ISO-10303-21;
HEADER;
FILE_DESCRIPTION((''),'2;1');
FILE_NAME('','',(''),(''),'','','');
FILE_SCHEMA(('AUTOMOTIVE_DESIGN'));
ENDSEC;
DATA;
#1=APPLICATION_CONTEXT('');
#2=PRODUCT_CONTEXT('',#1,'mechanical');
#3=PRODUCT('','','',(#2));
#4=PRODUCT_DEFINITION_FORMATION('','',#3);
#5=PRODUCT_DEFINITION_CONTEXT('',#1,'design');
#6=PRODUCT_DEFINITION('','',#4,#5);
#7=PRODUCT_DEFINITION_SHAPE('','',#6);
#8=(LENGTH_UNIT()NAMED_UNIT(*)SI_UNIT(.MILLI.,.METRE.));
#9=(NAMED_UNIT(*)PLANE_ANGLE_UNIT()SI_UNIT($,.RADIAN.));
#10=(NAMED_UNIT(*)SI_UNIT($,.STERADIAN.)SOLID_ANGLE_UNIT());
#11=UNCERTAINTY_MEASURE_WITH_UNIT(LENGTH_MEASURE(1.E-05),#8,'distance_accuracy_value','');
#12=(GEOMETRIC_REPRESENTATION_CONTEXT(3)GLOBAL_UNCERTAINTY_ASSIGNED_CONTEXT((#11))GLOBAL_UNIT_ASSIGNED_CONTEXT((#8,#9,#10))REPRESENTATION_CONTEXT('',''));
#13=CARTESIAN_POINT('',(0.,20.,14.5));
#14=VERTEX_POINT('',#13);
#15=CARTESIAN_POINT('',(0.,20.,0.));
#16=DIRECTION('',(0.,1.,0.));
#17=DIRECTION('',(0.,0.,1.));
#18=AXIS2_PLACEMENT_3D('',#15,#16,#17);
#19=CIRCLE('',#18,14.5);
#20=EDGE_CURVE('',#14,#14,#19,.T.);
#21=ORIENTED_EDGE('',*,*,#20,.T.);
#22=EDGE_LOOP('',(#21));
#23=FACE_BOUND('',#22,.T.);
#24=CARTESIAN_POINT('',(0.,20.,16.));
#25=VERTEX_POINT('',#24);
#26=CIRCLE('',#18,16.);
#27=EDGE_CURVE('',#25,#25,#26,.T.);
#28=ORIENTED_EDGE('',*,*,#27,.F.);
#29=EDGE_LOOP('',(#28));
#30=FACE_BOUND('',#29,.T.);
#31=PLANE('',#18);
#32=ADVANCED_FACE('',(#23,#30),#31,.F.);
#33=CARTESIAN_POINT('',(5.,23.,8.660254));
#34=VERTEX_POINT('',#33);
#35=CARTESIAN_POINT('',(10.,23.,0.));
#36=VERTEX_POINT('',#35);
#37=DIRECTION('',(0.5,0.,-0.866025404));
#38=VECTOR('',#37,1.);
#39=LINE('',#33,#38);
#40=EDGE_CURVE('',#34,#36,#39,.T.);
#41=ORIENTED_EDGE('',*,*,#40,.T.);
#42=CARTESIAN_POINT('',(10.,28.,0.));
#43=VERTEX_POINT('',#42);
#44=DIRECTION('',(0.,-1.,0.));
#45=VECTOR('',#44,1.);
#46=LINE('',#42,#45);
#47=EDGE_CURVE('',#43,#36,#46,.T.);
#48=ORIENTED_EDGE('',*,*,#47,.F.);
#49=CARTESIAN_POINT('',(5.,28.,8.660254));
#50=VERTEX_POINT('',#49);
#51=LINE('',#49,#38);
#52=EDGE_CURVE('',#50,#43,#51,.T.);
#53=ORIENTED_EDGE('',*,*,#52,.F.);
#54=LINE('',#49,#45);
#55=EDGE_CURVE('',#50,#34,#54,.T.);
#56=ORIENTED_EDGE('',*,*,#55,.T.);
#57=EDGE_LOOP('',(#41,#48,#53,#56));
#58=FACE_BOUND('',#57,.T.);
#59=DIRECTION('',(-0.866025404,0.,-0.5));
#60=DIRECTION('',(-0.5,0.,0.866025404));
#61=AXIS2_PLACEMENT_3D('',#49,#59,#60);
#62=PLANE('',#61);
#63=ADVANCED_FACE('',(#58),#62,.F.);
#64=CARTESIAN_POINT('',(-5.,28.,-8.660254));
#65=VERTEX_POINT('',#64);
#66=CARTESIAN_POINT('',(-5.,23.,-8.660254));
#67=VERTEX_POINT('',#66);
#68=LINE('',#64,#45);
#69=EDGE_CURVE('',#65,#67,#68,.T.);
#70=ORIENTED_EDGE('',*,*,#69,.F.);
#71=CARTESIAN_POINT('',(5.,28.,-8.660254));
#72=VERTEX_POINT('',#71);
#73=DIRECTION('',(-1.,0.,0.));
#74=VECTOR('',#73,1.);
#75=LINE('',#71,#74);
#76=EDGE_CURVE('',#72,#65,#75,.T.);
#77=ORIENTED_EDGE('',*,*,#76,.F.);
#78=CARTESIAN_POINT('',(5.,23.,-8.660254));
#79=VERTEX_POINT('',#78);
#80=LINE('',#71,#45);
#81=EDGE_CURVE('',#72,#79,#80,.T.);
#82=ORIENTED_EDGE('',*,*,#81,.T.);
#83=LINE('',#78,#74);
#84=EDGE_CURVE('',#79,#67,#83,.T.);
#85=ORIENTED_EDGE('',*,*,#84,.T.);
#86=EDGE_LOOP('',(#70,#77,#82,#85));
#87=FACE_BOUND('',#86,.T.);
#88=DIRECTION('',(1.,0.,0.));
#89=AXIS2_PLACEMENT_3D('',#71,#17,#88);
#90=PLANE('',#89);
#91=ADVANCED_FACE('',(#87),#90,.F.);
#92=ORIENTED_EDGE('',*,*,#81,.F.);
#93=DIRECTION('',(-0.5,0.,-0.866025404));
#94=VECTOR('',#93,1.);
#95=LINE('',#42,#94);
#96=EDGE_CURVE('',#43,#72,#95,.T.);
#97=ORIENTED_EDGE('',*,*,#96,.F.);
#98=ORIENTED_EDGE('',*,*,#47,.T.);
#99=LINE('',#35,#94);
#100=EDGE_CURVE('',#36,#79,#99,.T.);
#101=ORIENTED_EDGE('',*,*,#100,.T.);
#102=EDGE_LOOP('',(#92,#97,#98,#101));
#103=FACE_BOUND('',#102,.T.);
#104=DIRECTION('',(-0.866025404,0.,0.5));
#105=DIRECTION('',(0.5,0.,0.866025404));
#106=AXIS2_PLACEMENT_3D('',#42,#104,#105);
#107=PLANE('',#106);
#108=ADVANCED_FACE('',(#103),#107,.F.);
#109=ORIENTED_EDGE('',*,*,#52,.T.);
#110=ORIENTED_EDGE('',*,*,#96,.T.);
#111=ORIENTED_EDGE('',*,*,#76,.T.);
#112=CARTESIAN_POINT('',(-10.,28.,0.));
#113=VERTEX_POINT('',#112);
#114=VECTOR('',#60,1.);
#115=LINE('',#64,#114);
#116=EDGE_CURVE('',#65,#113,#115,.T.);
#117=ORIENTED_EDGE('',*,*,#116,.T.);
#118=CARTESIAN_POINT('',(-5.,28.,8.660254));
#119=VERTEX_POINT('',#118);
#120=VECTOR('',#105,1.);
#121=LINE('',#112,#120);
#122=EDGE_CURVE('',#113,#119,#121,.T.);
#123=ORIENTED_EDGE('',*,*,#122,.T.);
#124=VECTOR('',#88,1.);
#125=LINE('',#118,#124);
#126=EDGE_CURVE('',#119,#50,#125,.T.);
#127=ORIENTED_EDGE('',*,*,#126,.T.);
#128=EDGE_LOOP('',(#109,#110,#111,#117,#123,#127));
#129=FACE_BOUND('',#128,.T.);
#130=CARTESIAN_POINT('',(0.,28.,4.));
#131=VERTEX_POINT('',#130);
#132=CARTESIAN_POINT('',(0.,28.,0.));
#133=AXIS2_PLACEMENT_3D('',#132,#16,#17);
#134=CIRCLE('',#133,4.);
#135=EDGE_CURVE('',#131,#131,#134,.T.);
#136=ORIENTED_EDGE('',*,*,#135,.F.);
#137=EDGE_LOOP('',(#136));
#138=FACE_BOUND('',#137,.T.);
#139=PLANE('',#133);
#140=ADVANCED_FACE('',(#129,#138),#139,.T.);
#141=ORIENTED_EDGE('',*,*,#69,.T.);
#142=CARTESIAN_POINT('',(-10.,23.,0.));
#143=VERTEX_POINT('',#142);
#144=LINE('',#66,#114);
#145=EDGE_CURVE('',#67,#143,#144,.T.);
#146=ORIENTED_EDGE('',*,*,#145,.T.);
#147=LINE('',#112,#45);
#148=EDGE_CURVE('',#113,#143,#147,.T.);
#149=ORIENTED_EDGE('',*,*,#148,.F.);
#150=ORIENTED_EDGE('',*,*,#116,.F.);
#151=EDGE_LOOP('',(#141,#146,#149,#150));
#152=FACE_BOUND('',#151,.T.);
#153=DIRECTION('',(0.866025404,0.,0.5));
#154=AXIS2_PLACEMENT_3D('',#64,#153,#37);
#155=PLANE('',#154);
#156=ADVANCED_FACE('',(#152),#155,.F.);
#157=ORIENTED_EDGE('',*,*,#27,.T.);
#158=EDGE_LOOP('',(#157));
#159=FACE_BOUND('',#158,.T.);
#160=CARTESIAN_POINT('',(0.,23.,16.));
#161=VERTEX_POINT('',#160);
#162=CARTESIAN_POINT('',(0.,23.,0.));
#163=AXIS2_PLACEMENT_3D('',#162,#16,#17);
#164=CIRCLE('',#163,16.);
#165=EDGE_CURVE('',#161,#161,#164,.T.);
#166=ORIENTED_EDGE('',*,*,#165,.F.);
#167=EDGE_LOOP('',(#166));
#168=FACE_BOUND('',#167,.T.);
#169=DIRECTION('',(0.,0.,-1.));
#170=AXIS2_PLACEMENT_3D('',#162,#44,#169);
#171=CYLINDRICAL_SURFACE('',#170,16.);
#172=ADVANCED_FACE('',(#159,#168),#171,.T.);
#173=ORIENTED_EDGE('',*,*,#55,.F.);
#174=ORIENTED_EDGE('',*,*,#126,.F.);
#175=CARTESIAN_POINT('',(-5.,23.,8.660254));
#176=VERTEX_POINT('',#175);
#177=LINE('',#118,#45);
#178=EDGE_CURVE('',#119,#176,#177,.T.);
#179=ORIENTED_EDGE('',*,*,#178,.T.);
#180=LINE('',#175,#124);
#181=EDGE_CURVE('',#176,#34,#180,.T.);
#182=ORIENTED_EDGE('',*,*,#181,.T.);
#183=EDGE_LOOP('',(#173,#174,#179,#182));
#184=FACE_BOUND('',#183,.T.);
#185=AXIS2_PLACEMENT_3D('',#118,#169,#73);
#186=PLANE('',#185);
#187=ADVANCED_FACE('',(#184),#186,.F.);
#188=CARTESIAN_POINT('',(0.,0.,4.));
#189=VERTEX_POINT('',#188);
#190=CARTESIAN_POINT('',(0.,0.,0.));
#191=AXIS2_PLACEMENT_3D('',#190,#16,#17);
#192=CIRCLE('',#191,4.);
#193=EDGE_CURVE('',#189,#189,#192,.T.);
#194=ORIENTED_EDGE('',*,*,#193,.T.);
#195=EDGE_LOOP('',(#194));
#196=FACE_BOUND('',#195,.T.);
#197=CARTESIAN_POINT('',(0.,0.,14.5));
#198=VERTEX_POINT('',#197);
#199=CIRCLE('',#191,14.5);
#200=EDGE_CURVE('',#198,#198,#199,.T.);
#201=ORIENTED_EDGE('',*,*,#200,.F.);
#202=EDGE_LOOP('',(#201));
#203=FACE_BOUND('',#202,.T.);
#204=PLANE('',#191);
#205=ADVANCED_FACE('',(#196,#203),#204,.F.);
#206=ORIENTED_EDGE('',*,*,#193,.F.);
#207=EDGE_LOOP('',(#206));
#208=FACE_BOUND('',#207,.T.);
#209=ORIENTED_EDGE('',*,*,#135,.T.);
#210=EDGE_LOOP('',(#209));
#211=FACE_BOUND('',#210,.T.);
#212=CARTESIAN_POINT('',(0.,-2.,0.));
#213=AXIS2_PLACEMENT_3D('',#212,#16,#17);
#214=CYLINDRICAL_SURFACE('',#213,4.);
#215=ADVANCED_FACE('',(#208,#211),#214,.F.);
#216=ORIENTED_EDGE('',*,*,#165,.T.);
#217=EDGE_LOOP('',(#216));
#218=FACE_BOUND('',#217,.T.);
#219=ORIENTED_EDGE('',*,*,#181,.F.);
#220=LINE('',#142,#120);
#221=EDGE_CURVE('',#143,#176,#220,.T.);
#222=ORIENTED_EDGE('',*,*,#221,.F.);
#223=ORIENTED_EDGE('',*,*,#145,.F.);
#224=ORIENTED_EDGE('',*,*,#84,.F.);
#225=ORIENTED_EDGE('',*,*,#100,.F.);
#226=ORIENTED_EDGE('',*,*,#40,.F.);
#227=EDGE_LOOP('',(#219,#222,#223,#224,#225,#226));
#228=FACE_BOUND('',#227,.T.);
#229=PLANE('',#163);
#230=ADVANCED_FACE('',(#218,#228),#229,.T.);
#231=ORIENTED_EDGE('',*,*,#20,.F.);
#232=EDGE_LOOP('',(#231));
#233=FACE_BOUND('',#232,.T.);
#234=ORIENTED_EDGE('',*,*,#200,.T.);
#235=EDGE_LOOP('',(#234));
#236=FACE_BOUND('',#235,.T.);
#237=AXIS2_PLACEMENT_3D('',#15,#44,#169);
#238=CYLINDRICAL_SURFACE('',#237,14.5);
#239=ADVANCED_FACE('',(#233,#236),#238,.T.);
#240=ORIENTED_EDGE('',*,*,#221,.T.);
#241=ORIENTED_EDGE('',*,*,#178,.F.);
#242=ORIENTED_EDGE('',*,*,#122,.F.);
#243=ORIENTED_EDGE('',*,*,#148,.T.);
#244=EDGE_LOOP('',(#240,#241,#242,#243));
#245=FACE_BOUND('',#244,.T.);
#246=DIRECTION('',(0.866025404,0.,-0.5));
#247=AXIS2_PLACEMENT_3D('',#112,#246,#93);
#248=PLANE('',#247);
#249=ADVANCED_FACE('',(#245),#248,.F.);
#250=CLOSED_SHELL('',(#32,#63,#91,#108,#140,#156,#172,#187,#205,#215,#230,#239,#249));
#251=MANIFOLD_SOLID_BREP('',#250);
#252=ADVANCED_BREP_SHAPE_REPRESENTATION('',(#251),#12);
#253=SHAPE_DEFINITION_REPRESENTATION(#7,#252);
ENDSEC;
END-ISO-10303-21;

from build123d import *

# Parameters (mm, degrees)
SKETCH1_R           = 14.5
BOSS_EXTRUDE1_DEPTH = 20
SKETCH2_R           = 16
BOSS_EXTRUDE2_DEPTH = 3
BOSS_EXTRUDE3_DEPTH = 5
SKETCH4_R           = 4
CUT_EXTRUDE1_DEPTH  = 30


with BuildPart() as part:
    # Sketch1 → Boss-Extrude1 (new body)
    with BuildSketch(Plane(origin=(0, 0, 0), x_dir=(1, 0, 0), z_dir=(0, 1, 0))):
        with Locations(Location((0, 0, 0), (0, 0, 270))):
            Circle(SKETCH1_R)
    extrude(amount=BOSS_EXTRUDE1_DEPTH)

    # Sketch2 → Boss-Extrude2 (add)
    with BuildSketch(Plane(origin=(0, 20, 0), x_dir=(1, 0, 0), z_dir=(0, 1, 0))):
        with Locations(Location((0, 0, 0), (0, 0, 270))):
            Circle(SKETCH2_R)
    extrude(amount=BOSS_EXTRUDE2_DEPTH)

    # Sketch3 → Boss-Extrude3 (add)
    with BuildSketch(Plane(origin=(0, 23, 0), x_dir=(1, 0, 0), z_dir=(0, 1, 0))):
        Polygon((10, 0), (5, 8.660254038), (-5, 8.660254038), (-10, 0), (-5, -8.660254038), (5, -8.660254038), align=None)
    extrude(amount=BOSS_EXTRUDE3_DEPTH)

    # Sketch4 → Cut-Extrude1 (cut)
    with BuildSketch(Plane(origin=(0, 28, 0), x_dir=(1, 0, 0), z_dir=(0, 1, 0))):
        with Locations(Location((0, 0, 0), (0, 0, 270))):
            Circle(SKETCH4_R)
    extrude(amount=-CUT_EXTRUDE1_DEPTH, mode=Mode.SUBTRACT)


solid = part.part
